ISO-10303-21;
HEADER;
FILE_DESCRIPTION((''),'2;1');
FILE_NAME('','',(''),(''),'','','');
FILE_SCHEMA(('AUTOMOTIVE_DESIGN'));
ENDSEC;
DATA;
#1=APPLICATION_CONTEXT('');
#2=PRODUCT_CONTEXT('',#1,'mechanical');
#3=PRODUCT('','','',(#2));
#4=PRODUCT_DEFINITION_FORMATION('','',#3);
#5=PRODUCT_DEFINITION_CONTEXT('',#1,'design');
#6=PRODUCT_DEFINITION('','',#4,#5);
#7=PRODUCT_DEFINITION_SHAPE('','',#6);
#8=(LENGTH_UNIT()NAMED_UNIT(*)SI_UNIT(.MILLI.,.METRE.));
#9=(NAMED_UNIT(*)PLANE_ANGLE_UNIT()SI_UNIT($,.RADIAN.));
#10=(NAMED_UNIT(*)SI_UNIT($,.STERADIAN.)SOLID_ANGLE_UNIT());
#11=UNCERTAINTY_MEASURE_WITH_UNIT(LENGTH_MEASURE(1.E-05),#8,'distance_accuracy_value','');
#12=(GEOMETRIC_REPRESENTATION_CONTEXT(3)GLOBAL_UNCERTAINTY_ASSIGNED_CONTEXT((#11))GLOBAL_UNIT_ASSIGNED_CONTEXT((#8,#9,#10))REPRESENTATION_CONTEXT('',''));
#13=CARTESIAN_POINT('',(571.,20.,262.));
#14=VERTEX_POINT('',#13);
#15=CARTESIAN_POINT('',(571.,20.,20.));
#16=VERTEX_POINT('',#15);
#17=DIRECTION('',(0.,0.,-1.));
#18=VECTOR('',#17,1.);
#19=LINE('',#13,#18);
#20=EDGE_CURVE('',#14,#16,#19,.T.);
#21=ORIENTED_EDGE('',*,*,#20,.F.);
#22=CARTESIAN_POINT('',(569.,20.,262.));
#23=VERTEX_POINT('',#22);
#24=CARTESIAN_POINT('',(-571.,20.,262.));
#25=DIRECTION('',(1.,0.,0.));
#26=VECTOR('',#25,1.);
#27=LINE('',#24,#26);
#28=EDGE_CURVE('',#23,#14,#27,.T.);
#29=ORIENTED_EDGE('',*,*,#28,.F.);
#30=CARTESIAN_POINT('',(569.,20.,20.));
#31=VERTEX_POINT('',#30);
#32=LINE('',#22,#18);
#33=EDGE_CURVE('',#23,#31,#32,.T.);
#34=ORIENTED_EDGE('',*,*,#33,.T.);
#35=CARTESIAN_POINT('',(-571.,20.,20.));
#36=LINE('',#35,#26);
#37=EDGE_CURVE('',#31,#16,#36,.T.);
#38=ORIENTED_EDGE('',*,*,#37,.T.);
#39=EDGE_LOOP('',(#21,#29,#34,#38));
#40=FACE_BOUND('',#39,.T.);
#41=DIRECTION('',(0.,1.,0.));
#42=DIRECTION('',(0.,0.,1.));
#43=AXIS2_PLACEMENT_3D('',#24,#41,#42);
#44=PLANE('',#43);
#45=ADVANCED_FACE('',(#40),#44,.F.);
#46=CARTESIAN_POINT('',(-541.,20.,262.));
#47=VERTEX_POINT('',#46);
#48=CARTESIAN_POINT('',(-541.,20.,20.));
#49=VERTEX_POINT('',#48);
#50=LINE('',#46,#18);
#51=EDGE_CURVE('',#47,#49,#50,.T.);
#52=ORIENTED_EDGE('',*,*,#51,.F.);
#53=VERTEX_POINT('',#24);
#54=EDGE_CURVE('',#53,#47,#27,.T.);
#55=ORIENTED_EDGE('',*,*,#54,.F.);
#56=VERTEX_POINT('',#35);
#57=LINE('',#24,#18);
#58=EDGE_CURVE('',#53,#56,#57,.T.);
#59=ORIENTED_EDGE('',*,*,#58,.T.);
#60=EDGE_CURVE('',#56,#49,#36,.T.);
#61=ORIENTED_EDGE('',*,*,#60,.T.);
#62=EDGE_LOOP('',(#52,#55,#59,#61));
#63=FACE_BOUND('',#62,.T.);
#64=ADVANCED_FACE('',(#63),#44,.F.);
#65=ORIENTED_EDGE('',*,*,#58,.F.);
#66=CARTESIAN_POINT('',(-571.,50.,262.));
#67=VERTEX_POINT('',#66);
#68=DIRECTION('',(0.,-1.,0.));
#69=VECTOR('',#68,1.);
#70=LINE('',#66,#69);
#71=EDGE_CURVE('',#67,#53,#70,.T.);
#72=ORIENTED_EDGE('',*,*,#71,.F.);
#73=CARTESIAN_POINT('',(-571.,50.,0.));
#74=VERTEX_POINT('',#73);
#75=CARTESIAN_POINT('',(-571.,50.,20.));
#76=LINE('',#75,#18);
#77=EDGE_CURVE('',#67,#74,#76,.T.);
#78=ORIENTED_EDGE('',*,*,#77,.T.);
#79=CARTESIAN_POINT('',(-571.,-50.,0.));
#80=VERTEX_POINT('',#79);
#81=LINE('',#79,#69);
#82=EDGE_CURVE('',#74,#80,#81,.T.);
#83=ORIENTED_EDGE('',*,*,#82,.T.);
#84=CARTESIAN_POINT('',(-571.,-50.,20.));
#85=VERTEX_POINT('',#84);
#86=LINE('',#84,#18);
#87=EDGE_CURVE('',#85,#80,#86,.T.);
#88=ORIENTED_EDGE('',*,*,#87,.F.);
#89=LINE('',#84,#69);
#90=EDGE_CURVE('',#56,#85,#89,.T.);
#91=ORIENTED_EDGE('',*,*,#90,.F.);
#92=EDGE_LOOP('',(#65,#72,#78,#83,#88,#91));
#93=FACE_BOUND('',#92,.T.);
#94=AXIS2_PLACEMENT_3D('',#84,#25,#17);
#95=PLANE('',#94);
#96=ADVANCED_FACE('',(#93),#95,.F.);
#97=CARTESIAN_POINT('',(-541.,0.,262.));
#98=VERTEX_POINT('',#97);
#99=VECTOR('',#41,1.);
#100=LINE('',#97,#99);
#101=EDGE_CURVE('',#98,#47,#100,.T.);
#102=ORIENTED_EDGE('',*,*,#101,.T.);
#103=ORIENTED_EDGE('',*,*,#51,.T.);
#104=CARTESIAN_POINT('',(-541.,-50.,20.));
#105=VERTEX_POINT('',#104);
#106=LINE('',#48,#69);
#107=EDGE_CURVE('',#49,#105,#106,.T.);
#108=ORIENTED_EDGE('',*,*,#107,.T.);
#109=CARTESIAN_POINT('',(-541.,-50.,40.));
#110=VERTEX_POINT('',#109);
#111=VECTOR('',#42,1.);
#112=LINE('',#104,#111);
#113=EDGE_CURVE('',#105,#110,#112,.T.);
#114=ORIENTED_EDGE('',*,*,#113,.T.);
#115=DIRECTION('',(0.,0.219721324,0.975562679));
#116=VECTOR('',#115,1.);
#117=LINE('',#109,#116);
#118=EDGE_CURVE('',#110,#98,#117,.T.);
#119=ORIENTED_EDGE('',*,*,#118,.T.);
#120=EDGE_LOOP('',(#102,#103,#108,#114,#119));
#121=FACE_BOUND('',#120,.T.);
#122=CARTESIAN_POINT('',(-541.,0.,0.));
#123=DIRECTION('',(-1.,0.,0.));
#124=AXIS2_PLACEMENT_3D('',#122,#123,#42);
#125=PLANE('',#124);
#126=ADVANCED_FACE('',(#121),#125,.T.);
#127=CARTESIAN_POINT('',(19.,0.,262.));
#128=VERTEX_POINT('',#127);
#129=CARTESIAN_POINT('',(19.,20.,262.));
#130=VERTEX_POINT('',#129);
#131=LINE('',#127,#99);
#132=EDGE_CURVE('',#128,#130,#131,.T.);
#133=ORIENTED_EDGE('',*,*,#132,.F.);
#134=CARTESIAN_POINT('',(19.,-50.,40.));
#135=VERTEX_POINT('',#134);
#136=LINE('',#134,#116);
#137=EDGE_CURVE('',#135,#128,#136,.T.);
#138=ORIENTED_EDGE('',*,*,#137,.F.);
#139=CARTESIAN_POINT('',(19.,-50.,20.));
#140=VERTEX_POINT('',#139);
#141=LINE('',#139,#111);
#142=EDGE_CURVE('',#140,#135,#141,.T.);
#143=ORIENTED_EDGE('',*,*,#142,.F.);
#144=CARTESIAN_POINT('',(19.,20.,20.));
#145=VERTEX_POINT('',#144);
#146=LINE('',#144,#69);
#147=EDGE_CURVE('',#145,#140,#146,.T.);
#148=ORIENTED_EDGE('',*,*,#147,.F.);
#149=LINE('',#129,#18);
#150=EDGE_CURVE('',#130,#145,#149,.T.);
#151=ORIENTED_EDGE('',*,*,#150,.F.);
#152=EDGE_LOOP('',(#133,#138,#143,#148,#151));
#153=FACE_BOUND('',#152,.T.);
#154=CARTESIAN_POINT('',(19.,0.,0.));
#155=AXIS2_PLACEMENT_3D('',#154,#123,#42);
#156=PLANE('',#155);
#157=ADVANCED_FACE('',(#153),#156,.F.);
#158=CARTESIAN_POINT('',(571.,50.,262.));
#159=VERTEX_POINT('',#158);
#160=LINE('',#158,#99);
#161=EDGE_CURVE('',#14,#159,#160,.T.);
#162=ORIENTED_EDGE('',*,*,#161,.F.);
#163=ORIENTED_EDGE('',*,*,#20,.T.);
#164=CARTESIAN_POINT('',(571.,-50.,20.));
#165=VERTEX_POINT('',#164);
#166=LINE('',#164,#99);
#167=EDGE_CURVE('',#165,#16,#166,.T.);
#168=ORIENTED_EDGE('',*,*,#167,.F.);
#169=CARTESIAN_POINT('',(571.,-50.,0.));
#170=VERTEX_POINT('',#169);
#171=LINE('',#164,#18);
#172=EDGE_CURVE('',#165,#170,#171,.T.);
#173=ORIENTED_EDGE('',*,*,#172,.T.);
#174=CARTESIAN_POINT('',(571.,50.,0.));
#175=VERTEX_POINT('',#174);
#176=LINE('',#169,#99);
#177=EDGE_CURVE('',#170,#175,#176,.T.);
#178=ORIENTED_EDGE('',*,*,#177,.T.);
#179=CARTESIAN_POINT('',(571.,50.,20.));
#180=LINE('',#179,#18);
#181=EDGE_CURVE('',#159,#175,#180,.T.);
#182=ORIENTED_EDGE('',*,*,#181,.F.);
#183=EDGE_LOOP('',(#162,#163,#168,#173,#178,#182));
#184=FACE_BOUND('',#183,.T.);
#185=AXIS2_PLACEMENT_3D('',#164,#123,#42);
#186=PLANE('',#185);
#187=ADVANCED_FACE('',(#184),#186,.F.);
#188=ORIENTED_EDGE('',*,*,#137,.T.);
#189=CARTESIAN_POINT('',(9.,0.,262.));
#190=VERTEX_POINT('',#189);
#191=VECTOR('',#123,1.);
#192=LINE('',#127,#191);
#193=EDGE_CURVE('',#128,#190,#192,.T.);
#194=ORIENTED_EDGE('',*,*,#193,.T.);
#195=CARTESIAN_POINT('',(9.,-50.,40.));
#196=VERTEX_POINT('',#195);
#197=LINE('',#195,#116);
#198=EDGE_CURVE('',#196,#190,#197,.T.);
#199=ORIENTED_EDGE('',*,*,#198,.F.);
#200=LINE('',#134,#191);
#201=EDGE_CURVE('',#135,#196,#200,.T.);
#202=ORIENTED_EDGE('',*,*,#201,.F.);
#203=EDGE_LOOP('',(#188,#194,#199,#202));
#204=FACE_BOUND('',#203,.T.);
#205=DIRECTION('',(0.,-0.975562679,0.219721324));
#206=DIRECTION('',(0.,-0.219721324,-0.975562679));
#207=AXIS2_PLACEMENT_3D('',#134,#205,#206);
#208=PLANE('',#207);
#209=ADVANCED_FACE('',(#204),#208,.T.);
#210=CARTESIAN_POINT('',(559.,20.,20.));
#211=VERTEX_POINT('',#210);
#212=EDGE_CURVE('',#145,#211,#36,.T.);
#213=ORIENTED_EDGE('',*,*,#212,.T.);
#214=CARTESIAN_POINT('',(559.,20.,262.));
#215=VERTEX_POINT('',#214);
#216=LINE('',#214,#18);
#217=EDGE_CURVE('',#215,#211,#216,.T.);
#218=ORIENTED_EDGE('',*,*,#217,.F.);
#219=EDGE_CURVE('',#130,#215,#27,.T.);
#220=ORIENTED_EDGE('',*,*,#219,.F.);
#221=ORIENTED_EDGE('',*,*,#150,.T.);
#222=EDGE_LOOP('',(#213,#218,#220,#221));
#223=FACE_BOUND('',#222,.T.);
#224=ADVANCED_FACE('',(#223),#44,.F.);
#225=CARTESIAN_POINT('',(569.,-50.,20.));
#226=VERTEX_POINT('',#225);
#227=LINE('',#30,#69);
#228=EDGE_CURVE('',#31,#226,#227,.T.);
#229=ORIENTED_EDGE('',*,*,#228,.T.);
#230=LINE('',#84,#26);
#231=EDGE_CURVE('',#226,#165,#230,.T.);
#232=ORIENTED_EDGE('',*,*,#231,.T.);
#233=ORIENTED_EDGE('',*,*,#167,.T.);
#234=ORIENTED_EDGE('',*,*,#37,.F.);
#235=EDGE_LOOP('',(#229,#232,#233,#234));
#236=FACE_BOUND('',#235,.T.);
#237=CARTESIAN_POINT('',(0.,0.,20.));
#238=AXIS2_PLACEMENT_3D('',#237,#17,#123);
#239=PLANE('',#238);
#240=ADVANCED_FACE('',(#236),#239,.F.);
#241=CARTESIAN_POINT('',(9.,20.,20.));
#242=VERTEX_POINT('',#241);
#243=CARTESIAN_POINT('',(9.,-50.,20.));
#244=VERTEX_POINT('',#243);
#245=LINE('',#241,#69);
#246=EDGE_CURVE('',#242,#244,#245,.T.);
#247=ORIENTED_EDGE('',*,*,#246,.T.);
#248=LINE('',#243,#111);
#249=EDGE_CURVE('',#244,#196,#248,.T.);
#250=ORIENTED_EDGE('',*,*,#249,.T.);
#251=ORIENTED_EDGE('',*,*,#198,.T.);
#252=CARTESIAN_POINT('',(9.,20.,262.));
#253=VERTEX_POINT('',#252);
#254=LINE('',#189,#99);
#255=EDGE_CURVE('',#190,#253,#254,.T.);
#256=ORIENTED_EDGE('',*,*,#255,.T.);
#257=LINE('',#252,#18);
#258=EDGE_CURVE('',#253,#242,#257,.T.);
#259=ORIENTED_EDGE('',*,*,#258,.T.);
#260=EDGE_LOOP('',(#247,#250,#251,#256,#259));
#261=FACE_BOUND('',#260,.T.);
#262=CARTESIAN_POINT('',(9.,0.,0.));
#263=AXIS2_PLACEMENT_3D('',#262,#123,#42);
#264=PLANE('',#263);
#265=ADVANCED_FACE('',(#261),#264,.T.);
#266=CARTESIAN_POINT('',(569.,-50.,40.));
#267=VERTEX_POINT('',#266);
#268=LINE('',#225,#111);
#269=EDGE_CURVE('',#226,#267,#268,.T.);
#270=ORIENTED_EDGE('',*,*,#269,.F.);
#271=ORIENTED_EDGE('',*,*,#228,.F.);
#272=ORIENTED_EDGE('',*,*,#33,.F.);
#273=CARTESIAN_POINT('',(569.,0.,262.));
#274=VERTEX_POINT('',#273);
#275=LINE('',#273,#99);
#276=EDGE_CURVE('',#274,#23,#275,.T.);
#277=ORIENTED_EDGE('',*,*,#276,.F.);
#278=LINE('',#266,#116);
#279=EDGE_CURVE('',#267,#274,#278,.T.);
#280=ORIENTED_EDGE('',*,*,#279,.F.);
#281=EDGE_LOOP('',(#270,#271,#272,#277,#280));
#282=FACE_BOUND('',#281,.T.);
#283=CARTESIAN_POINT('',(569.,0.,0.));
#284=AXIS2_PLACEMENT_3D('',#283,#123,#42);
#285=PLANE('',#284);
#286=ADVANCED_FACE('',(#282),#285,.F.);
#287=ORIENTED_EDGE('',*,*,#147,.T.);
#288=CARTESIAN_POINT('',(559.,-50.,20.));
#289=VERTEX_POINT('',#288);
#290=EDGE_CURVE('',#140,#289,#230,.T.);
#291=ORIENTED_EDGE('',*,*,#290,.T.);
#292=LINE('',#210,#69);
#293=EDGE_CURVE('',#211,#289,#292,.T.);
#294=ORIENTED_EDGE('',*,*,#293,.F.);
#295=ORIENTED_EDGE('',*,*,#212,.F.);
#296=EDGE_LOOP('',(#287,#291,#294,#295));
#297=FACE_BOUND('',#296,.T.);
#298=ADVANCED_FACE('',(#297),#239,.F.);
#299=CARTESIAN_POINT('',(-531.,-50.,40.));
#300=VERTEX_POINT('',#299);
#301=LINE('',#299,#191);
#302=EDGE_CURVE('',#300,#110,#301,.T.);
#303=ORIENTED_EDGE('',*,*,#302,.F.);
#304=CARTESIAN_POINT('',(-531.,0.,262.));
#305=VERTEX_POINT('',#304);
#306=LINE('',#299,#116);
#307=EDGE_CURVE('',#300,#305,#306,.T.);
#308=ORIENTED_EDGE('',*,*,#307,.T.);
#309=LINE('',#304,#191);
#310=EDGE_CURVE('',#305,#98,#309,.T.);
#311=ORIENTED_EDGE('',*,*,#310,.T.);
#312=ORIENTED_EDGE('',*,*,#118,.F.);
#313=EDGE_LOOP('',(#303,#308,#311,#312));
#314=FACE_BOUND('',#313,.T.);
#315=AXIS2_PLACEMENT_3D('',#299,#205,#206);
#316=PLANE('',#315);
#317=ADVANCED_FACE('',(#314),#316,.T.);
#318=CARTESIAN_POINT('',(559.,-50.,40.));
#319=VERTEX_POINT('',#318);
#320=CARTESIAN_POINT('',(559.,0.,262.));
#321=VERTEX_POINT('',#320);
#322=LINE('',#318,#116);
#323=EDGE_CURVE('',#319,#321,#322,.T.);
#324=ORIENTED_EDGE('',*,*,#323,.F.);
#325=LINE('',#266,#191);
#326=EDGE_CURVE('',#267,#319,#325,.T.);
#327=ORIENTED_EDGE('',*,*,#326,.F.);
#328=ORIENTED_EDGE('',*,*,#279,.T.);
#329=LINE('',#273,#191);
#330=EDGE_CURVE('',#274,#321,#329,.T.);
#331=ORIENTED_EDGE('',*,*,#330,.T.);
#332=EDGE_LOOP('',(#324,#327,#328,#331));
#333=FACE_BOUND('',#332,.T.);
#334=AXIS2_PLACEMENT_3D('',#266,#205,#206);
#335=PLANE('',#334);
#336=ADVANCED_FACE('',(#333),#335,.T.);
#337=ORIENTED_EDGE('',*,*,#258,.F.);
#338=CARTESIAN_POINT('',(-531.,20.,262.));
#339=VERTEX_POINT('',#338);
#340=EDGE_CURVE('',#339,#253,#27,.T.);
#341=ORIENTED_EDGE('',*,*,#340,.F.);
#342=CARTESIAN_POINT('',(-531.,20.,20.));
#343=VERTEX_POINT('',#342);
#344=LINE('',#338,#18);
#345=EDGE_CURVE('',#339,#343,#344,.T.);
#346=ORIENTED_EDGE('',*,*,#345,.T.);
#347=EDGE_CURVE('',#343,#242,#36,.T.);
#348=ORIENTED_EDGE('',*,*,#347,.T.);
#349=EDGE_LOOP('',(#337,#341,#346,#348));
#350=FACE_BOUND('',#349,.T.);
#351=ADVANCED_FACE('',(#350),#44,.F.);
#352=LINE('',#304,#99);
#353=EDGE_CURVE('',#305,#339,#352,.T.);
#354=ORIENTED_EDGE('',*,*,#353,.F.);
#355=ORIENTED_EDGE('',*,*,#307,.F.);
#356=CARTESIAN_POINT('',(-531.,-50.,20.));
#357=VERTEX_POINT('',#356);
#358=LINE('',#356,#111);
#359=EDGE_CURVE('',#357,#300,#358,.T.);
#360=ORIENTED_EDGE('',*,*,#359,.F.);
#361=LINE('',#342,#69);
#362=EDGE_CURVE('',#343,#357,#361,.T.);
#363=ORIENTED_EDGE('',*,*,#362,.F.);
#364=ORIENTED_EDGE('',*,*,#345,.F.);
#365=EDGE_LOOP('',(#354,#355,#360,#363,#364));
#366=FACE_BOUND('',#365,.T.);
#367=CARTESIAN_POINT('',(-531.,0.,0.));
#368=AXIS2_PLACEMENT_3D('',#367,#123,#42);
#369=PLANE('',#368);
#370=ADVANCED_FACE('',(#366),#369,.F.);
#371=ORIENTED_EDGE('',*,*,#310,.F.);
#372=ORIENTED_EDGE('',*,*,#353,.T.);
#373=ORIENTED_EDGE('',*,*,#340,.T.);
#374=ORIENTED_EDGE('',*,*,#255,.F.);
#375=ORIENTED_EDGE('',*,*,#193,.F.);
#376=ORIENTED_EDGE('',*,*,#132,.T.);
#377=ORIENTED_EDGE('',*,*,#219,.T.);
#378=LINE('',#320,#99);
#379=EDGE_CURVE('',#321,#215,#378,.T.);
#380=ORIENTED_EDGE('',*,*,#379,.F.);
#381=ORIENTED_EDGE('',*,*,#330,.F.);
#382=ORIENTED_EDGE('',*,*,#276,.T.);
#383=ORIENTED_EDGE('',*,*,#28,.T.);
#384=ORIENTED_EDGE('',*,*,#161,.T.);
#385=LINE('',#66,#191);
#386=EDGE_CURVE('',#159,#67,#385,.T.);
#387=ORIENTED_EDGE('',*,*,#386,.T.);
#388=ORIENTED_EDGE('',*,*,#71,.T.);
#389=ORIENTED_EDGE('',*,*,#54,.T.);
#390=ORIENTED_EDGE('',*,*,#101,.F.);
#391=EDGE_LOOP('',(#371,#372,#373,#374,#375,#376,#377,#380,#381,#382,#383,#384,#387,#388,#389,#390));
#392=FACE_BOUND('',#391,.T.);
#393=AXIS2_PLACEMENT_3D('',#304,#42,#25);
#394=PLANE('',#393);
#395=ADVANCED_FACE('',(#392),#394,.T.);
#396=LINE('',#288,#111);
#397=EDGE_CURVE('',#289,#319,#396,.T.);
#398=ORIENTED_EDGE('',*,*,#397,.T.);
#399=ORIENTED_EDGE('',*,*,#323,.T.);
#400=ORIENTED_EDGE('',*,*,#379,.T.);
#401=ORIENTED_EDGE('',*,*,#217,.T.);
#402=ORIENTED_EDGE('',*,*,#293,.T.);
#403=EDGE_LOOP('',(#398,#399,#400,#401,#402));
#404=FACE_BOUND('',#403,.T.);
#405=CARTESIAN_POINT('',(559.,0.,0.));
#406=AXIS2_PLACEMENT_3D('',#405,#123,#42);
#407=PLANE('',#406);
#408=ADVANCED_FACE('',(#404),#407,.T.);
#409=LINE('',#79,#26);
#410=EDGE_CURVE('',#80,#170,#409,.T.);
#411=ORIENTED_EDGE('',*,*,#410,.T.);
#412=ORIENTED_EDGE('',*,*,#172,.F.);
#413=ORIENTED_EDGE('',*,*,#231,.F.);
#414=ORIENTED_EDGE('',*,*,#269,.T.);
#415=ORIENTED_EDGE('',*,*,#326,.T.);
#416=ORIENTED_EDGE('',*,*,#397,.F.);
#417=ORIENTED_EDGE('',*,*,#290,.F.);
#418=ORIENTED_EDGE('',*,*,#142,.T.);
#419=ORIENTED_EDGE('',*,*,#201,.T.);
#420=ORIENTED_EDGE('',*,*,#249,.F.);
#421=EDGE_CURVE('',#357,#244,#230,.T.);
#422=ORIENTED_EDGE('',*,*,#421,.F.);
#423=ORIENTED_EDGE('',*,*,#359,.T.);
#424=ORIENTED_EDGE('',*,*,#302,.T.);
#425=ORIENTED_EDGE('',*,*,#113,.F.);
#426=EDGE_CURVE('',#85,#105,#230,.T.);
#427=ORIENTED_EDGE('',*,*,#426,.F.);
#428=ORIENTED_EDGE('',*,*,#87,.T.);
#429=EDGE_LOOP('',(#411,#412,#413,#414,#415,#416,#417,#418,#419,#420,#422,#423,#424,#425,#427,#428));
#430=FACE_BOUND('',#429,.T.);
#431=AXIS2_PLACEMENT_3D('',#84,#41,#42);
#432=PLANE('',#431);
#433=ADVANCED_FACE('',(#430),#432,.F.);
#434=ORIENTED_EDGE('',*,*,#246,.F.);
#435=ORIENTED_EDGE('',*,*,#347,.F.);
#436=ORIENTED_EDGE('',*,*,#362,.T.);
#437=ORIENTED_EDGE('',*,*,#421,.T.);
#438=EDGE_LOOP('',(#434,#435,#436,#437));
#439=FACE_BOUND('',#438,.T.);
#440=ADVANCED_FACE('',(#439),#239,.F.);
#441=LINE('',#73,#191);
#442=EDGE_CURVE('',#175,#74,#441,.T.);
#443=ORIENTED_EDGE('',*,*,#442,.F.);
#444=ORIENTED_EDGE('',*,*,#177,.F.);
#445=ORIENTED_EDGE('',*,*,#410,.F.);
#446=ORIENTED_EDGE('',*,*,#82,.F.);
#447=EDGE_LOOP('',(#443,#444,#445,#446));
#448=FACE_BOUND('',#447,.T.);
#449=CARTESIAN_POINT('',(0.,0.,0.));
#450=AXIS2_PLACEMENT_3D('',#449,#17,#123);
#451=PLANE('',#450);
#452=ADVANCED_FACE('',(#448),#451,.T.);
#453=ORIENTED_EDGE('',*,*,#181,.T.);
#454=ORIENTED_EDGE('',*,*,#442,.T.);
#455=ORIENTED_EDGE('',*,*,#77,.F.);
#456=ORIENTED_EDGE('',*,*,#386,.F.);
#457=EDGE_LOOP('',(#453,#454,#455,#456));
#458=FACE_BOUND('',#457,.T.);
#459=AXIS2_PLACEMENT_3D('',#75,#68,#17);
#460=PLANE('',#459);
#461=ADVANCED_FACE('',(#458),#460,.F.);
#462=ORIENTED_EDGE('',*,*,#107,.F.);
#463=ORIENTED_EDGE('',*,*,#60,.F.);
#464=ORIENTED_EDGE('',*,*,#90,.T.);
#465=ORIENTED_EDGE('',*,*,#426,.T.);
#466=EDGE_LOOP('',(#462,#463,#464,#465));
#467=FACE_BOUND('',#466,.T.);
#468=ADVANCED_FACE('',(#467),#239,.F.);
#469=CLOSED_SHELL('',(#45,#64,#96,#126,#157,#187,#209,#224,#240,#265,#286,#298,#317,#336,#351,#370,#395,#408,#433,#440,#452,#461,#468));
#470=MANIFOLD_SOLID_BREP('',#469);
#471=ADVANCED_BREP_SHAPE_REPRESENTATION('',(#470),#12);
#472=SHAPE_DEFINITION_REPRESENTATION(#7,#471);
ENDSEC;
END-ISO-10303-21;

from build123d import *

# Parameters (mm, degrees)
SKETCH_1_W             = 1142
SKETCH_1_H             = 100
EXTRUDE_1_DEPTH        = 20
SKETCH_2_W             = 1142
SKETCH_2_H             = 30
EXTRUDE_2_DEPTH        = 242
EXTRUDE_START          = -30
EXTRUDE_3_DEPTH        = 10
PATTERN_LINEAR_1_COUNT = 3
PATTERN_LINEAR_1_PITCH = 550


with BuildPart() as part:
    # 草图1 → 凸台-拉伸1 (new body)
    with BuildSketch(Plane.XY):
        Rectangle(SKETCH_1_W, SKETCH_1_H)
    extrude(amount=EXTRUDE_1_DEPTH)



with BuildPart() as body_2:
    # 草图2 → 凸台-拉伸2 (new body)
    with BuildSketch(Plane.XY.offset(20)):
        with Locations((0, 35)):
            Rectangle(SKETCH_2_W, SKETCH_2_H)
    extrude(amount=EXTRUDE_2_DEPTH)


with BuildPart() as part_1:
    add(part.part)

    add(body_2.part)  # 凸台-拉伸3 merges body 2
    # 草图3 → 凸台-拉伸3 (add)
    with BuildSketch(Plane.ZY.offset(571).offset(EXTRUDE_START)):
        Polygon((262, 20), (20, 20), (20, -50), (40, -50), (262, 0), align=None)
    extrude_3 = extrude(amount=-EXTRUDE_3_DEPTH)

    # 阵列(线性)1: 凸台-拉伸3 ×3
    with Locations(*[(i * PATTERN_LINEAR_1_PITCH, 0, 0) for i in range(1, PATTERN_LINEAR_1_COUNT)]):
        add(extrude_3)


solid = part_1.part
